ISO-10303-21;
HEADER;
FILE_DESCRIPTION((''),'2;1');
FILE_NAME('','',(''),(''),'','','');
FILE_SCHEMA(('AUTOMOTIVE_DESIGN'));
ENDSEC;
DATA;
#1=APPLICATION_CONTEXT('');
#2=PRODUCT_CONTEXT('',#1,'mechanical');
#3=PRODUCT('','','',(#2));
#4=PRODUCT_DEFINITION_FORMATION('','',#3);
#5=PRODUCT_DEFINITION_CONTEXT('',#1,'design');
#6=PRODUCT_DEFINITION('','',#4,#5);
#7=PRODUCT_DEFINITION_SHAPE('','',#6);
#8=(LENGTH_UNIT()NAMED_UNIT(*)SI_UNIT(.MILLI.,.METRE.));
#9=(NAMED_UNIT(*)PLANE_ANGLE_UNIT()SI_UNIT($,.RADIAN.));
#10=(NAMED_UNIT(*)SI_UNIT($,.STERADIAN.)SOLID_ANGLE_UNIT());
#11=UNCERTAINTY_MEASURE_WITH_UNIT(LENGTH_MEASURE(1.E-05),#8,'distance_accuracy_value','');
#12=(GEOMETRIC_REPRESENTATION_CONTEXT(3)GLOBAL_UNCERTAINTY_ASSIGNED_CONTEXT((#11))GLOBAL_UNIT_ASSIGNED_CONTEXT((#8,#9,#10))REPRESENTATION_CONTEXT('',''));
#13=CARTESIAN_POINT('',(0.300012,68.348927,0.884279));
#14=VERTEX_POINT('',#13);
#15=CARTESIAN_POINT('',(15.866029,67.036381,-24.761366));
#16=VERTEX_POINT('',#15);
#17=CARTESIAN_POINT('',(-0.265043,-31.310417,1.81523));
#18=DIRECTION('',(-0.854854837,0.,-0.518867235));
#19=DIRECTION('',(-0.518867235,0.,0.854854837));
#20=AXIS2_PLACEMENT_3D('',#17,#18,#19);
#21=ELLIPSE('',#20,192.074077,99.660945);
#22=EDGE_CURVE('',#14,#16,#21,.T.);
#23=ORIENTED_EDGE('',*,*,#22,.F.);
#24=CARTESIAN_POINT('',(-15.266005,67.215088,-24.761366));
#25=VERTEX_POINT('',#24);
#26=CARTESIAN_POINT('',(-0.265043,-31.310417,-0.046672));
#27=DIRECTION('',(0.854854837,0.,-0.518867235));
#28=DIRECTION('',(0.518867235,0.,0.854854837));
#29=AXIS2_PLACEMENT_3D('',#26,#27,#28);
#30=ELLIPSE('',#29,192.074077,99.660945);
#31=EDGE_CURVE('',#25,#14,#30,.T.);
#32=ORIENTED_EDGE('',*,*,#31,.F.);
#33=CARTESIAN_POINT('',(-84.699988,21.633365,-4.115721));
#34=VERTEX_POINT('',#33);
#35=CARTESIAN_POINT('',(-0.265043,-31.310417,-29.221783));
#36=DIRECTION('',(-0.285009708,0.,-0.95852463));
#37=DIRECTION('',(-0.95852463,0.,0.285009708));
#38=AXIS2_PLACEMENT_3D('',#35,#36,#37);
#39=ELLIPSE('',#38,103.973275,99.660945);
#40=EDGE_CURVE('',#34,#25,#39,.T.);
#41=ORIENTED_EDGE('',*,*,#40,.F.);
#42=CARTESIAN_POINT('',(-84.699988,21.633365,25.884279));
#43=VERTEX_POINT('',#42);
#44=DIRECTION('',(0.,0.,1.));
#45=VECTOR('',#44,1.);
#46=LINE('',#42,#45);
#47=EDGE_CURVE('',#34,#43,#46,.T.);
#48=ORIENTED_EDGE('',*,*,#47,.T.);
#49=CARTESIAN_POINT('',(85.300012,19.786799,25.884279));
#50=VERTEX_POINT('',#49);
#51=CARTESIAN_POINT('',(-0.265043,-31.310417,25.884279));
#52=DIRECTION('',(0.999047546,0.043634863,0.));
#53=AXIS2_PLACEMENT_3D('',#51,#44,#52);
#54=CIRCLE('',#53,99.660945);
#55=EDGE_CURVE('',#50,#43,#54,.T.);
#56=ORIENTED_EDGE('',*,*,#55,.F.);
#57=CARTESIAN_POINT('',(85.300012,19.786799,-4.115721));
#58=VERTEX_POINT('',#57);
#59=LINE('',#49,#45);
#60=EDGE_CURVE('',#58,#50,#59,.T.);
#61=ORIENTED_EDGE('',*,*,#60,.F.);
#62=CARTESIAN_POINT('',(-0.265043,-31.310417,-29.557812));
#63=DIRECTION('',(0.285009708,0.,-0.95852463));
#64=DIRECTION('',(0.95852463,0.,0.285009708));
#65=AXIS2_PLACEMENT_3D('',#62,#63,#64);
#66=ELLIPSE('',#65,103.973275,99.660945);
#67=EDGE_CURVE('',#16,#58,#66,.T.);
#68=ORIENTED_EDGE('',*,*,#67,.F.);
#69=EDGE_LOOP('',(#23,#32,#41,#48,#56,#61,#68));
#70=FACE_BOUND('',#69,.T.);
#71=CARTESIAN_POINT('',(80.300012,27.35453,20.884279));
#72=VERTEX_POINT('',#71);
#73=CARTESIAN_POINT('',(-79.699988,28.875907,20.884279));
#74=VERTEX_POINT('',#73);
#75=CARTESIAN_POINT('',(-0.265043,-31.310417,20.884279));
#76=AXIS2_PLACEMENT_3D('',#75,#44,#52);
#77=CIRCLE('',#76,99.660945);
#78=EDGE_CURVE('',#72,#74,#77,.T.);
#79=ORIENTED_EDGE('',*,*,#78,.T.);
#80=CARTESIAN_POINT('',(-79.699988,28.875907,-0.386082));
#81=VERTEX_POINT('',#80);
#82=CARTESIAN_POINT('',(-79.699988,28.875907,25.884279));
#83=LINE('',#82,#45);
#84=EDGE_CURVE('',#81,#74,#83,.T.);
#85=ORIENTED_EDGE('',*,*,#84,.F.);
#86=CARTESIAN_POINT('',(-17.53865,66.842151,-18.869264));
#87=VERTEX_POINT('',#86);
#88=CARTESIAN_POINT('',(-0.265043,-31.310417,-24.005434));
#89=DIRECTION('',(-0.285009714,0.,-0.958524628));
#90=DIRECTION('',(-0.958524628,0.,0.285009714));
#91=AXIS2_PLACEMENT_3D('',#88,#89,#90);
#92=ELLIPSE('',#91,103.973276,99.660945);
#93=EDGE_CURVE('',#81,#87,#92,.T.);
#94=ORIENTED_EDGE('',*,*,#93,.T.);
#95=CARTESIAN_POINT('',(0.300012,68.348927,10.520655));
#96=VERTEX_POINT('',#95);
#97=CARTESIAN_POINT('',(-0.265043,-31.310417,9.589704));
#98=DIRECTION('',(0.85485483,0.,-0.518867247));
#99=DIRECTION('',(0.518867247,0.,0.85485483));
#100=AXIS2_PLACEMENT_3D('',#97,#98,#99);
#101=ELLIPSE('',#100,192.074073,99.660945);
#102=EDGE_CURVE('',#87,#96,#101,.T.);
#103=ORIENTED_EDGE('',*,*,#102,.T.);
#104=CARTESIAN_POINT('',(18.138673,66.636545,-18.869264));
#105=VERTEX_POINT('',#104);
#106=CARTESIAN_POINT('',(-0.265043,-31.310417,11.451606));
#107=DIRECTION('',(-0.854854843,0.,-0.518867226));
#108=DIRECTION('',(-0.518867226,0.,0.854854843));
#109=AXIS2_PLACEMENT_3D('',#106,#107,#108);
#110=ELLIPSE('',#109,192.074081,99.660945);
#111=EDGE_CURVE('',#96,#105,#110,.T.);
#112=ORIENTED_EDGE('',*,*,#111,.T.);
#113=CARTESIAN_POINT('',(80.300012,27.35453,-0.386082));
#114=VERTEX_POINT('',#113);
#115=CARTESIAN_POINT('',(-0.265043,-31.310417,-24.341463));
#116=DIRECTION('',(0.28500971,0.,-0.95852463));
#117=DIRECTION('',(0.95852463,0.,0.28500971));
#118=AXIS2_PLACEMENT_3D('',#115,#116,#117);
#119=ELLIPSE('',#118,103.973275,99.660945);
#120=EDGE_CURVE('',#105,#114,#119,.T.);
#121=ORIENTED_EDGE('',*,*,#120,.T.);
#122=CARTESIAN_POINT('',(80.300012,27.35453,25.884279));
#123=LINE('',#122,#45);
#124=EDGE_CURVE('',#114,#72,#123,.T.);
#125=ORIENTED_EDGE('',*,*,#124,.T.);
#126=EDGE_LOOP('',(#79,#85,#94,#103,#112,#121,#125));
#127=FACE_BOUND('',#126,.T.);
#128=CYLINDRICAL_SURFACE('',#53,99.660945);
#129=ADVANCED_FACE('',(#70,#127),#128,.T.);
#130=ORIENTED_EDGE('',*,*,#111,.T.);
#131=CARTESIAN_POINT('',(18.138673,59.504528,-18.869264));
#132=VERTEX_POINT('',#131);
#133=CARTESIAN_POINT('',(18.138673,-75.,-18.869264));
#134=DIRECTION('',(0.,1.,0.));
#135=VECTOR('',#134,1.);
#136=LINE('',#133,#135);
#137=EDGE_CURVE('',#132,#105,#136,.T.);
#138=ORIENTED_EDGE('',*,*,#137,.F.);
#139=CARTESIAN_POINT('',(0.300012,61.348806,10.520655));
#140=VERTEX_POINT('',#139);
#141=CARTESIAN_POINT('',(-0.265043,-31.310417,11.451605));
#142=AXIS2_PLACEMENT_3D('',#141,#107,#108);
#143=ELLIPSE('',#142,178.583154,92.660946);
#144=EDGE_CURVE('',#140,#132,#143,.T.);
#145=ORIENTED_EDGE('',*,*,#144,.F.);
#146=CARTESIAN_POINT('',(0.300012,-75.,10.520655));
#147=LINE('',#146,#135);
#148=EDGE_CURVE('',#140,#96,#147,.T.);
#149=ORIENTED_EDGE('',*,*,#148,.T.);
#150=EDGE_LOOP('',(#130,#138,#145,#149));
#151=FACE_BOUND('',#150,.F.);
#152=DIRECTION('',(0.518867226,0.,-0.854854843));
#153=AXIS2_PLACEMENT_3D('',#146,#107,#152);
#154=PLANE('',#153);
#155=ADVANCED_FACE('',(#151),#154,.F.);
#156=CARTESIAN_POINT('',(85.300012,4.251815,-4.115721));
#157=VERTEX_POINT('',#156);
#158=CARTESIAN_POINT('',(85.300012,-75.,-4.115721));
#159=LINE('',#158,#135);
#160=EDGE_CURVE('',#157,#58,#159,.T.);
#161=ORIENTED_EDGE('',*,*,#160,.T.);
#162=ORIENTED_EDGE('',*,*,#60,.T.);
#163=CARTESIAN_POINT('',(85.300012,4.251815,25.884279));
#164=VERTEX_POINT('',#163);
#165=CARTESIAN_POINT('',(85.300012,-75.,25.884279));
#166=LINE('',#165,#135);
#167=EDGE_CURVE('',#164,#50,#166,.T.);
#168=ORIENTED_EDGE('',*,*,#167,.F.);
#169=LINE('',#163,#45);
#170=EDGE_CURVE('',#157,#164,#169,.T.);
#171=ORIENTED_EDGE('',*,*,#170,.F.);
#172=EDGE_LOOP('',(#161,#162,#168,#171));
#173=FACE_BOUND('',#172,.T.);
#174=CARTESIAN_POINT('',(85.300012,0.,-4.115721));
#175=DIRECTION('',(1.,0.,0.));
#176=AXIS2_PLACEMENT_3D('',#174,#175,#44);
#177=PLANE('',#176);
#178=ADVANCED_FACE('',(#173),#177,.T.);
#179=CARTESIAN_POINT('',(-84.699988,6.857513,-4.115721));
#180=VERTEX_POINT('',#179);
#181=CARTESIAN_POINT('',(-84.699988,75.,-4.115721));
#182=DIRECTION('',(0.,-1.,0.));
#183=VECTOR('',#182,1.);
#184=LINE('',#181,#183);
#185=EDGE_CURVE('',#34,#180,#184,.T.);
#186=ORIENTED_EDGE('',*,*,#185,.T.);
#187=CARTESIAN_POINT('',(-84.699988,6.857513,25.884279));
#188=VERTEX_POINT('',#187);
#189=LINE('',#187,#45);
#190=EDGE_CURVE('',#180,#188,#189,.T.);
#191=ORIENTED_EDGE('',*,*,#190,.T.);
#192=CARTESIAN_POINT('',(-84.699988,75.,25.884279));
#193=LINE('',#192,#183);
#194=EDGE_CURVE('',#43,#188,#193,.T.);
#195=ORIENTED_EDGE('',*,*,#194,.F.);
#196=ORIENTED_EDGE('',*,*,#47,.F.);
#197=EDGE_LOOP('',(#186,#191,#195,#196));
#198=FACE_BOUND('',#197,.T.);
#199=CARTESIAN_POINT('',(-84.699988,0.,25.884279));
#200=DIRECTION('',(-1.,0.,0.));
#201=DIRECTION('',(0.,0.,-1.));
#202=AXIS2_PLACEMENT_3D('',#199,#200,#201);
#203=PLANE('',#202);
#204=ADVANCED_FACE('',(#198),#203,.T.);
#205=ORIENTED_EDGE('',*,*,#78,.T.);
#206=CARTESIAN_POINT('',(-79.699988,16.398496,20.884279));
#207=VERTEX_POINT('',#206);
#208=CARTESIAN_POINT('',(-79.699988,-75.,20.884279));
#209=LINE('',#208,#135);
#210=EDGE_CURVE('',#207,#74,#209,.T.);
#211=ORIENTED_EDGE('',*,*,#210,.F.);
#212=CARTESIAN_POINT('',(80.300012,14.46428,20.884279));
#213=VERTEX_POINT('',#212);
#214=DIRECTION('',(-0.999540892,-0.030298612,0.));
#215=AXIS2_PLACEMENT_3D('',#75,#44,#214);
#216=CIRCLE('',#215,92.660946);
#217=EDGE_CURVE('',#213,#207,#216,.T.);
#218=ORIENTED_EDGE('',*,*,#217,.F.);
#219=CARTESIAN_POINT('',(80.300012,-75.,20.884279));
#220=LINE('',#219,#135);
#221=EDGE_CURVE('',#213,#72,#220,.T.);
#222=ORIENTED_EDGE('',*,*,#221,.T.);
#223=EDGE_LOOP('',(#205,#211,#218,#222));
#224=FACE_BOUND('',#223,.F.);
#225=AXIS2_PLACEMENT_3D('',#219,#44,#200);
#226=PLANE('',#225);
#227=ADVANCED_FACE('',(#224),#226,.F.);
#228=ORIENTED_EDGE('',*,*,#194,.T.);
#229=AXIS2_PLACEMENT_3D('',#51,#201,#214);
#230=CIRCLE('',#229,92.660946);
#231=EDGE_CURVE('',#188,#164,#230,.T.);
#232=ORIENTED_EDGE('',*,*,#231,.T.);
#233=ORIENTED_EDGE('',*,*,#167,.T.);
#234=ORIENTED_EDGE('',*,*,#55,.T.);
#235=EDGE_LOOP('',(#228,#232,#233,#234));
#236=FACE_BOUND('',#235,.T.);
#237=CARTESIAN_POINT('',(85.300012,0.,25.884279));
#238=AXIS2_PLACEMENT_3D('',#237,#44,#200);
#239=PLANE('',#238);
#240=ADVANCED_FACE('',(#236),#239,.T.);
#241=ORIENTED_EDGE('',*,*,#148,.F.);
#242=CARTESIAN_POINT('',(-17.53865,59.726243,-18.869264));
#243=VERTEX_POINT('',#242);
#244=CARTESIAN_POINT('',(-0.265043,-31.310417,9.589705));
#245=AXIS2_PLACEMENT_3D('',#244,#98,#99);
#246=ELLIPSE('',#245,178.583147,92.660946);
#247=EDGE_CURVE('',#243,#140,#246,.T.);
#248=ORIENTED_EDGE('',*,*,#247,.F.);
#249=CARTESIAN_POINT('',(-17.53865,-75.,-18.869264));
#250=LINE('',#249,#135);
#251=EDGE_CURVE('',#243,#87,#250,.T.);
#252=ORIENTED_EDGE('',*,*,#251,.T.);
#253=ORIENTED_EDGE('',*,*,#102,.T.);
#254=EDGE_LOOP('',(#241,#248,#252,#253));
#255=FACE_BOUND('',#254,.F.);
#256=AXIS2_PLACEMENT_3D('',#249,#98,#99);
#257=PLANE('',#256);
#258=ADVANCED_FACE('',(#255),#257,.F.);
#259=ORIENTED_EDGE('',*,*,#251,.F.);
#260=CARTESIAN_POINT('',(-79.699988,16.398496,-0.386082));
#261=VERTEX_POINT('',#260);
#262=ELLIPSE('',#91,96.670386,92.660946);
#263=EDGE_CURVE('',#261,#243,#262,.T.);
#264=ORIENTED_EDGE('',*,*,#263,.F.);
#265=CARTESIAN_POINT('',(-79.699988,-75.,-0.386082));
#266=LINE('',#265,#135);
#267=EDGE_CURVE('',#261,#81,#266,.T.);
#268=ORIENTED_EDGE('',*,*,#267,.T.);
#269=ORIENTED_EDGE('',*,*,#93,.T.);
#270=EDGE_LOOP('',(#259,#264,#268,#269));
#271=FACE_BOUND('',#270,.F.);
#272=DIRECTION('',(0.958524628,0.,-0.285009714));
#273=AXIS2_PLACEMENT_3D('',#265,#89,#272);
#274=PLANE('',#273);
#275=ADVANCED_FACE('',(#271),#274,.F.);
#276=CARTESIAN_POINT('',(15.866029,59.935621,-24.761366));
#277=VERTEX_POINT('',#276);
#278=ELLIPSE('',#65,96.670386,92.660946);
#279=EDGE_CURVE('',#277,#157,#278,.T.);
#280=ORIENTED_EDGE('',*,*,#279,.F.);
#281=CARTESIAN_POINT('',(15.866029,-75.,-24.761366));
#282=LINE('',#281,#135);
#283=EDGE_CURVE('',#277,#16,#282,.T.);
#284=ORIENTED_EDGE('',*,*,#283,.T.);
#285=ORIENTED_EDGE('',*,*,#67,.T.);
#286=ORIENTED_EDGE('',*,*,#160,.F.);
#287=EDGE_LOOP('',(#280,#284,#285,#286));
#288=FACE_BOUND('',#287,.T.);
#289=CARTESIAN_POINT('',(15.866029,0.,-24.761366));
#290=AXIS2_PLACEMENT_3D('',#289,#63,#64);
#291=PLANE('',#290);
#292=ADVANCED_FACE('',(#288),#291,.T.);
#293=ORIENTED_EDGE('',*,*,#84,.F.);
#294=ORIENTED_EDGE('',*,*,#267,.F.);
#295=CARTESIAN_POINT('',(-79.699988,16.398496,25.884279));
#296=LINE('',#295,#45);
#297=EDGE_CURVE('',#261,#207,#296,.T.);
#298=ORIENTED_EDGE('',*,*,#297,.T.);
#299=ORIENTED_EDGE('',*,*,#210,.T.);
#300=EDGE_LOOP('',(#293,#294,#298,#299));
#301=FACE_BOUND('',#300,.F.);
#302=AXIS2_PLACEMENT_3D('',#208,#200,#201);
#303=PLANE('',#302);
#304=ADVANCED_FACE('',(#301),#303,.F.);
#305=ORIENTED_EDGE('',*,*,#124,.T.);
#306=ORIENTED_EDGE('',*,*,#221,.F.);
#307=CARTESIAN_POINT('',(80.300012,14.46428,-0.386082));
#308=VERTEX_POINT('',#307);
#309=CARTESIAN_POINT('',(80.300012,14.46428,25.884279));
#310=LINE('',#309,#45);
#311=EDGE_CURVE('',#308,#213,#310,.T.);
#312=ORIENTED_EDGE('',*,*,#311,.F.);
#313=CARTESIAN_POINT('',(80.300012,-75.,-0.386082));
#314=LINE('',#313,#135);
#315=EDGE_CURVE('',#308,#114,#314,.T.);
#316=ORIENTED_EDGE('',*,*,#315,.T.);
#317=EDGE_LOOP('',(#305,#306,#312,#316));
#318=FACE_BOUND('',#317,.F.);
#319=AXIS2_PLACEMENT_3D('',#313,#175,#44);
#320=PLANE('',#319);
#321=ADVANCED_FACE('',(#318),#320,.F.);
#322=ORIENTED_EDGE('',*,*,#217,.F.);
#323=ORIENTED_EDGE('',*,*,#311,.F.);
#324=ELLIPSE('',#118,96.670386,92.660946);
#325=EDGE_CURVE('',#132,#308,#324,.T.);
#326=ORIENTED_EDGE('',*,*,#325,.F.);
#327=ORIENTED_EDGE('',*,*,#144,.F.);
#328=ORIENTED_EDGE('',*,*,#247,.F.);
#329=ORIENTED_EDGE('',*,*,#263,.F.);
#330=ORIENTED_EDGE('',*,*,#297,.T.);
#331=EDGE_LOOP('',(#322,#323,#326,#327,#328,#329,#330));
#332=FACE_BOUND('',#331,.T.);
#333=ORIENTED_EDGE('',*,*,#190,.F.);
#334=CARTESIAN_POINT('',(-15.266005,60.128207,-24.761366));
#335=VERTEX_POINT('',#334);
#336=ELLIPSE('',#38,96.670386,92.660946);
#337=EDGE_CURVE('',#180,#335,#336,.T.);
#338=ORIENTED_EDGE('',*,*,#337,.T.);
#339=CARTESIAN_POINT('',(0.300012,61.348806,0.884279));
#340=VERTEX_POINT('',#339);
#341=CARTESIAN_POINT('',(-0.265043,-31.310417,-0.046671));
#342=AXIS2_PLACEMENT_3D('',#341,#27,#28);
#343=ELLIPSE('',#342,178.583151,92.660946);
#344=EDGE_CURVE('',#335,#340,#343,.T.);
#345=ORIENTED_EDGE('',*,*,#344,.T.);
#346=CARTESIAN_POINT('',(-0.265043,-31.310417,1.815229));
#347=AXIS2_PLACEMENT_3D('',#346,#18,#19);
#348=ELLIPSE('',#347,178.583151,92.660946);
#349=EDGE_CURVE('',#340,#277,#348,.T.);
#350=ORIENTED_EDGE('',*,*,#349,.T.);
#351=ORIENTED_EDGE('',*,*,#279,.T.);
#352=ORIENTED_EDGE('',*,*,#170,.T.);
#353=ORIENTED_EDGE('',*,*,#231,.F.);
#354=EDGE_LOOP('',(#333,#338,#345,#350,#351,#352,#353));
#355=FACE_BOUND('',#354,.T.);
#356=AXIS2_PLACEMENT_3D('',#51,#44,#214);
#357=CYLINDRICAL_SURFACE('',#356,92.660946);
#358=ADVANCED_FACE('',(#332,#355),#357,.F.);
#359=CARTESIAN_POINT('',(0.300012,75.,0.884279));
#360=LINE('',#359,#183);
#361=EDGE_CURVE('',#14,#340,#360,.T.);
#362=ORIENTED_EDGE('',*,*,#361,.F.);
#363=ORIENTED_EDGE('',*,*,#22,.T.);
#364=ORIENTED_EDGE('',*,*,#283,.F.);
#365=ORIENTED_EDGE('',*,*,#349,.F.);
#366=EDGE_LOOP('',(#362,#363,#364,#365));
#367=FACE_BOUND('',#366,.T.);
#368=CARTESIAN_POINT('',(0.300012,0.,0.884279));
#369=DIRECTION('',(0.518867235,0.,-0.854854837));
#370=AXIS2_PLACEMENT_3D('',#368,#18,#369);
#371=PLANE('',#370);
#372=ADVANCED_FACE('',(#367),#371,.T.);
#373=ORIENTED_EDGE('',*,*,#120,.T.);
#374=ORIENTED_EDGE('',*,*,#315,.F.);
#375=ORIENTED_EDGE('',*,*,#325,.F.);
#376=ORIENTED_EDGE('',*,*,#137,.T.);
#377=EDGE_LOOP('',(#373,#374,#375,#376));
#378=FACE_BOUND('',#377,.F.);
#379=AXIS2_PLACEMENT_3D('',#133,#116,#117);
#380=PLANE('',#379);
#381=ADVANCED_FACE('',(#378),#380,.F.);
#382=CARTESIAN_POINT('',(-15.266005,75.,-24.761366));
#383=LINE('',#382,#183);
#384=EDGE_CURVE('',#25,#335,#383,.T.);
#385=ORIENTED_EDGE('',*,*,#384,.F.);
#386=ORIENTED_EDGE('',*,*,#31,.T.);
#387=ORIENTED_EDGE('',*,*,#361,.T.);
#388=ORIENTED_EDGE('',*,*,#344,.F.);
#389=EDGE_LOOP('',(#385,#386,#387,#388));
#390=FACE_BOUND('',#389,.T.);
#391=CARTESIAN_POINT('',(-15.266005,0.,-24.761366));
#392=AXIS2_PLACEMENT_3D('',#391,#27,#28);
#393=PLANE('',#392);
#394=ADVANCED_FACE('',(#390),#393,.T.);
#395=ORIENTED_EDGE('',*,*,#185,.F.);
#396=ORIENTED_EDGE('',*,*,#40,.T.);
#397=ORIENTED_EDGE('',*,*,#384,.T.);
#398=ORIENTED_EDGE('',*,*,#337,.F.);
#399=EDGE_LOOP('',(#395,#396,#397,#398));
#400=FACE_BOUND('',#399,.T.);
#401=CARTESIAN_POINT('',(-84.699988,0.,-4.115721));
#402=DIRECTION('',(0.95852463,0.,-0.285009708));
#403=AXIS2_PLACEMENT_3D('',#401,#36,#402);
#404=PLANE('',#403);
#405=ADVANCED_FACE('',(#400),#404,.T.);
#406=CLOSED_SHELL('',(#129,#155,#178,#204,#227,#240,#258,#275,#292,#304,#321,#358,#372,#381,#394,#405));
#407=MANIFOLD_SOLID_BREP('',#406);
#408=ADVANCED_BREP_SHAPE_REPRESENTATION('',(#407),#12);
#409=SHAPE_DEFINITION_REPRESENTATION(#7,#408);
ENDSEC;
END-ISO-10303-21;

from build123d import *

# Parameters (mm, degrees)
F1_DEPTH = 75
F3_DEPTH = 200
F5_DEPTH = 100


with BuildPart() as f1:
    # F0 (on Front) → F1 (new body, symmetric)
    with BuildSketch(Plane.XZ):
        Polygon((85.300012, 25.884279), (0.300012, 25.884279), (-84.699988, 25.884279), (-84.699988, -4.115721), (-15.266005, -24.761366), (0.300012, 0.884279), (15.866029, -24.761366), (85.300012, -4.115721), align=None)
    extrude(amount=F1_DEPTH, both=True)

    # F2 (on face) → F3 (cut)
    with BuildSketch(Plane.XZ.offset(75)):
        Polygon((-17.53865, -18.869264), (0.300012, 10.520655), (18.138673, -18.869264), (80.300012, -0.386082), (80.300012, 20.884279), (-79.699988, 20.884279), (-79.699988, -0.386082), align=None)
    extrude(amount=-F3_DEPTH, mode=Mode.SUBTRACT)

    # F4 (on face) → F5 (intersect)
    with BuildSketch(Plane.XY.offset(25.884279)):
        with BuildLine():
            Line((92.307648, -27.267169), (99.30098, -26.961725))
            ThreePointArc((99.30098, -26.961725), (-3.949265, 68.282407), (-99.880233, -34.330005))
            Line((-99.880233, -34.330005), (-92.883447, -34.117915))
            ThreePointArc((-92.883447, -34.117915), (-3.690492, 61.287192), (92.307648, -27.267169))
        make_face()
    extrude(amount=-F5_DEPTH, mode=Mode.INTERSECT)


solid = f1.part
